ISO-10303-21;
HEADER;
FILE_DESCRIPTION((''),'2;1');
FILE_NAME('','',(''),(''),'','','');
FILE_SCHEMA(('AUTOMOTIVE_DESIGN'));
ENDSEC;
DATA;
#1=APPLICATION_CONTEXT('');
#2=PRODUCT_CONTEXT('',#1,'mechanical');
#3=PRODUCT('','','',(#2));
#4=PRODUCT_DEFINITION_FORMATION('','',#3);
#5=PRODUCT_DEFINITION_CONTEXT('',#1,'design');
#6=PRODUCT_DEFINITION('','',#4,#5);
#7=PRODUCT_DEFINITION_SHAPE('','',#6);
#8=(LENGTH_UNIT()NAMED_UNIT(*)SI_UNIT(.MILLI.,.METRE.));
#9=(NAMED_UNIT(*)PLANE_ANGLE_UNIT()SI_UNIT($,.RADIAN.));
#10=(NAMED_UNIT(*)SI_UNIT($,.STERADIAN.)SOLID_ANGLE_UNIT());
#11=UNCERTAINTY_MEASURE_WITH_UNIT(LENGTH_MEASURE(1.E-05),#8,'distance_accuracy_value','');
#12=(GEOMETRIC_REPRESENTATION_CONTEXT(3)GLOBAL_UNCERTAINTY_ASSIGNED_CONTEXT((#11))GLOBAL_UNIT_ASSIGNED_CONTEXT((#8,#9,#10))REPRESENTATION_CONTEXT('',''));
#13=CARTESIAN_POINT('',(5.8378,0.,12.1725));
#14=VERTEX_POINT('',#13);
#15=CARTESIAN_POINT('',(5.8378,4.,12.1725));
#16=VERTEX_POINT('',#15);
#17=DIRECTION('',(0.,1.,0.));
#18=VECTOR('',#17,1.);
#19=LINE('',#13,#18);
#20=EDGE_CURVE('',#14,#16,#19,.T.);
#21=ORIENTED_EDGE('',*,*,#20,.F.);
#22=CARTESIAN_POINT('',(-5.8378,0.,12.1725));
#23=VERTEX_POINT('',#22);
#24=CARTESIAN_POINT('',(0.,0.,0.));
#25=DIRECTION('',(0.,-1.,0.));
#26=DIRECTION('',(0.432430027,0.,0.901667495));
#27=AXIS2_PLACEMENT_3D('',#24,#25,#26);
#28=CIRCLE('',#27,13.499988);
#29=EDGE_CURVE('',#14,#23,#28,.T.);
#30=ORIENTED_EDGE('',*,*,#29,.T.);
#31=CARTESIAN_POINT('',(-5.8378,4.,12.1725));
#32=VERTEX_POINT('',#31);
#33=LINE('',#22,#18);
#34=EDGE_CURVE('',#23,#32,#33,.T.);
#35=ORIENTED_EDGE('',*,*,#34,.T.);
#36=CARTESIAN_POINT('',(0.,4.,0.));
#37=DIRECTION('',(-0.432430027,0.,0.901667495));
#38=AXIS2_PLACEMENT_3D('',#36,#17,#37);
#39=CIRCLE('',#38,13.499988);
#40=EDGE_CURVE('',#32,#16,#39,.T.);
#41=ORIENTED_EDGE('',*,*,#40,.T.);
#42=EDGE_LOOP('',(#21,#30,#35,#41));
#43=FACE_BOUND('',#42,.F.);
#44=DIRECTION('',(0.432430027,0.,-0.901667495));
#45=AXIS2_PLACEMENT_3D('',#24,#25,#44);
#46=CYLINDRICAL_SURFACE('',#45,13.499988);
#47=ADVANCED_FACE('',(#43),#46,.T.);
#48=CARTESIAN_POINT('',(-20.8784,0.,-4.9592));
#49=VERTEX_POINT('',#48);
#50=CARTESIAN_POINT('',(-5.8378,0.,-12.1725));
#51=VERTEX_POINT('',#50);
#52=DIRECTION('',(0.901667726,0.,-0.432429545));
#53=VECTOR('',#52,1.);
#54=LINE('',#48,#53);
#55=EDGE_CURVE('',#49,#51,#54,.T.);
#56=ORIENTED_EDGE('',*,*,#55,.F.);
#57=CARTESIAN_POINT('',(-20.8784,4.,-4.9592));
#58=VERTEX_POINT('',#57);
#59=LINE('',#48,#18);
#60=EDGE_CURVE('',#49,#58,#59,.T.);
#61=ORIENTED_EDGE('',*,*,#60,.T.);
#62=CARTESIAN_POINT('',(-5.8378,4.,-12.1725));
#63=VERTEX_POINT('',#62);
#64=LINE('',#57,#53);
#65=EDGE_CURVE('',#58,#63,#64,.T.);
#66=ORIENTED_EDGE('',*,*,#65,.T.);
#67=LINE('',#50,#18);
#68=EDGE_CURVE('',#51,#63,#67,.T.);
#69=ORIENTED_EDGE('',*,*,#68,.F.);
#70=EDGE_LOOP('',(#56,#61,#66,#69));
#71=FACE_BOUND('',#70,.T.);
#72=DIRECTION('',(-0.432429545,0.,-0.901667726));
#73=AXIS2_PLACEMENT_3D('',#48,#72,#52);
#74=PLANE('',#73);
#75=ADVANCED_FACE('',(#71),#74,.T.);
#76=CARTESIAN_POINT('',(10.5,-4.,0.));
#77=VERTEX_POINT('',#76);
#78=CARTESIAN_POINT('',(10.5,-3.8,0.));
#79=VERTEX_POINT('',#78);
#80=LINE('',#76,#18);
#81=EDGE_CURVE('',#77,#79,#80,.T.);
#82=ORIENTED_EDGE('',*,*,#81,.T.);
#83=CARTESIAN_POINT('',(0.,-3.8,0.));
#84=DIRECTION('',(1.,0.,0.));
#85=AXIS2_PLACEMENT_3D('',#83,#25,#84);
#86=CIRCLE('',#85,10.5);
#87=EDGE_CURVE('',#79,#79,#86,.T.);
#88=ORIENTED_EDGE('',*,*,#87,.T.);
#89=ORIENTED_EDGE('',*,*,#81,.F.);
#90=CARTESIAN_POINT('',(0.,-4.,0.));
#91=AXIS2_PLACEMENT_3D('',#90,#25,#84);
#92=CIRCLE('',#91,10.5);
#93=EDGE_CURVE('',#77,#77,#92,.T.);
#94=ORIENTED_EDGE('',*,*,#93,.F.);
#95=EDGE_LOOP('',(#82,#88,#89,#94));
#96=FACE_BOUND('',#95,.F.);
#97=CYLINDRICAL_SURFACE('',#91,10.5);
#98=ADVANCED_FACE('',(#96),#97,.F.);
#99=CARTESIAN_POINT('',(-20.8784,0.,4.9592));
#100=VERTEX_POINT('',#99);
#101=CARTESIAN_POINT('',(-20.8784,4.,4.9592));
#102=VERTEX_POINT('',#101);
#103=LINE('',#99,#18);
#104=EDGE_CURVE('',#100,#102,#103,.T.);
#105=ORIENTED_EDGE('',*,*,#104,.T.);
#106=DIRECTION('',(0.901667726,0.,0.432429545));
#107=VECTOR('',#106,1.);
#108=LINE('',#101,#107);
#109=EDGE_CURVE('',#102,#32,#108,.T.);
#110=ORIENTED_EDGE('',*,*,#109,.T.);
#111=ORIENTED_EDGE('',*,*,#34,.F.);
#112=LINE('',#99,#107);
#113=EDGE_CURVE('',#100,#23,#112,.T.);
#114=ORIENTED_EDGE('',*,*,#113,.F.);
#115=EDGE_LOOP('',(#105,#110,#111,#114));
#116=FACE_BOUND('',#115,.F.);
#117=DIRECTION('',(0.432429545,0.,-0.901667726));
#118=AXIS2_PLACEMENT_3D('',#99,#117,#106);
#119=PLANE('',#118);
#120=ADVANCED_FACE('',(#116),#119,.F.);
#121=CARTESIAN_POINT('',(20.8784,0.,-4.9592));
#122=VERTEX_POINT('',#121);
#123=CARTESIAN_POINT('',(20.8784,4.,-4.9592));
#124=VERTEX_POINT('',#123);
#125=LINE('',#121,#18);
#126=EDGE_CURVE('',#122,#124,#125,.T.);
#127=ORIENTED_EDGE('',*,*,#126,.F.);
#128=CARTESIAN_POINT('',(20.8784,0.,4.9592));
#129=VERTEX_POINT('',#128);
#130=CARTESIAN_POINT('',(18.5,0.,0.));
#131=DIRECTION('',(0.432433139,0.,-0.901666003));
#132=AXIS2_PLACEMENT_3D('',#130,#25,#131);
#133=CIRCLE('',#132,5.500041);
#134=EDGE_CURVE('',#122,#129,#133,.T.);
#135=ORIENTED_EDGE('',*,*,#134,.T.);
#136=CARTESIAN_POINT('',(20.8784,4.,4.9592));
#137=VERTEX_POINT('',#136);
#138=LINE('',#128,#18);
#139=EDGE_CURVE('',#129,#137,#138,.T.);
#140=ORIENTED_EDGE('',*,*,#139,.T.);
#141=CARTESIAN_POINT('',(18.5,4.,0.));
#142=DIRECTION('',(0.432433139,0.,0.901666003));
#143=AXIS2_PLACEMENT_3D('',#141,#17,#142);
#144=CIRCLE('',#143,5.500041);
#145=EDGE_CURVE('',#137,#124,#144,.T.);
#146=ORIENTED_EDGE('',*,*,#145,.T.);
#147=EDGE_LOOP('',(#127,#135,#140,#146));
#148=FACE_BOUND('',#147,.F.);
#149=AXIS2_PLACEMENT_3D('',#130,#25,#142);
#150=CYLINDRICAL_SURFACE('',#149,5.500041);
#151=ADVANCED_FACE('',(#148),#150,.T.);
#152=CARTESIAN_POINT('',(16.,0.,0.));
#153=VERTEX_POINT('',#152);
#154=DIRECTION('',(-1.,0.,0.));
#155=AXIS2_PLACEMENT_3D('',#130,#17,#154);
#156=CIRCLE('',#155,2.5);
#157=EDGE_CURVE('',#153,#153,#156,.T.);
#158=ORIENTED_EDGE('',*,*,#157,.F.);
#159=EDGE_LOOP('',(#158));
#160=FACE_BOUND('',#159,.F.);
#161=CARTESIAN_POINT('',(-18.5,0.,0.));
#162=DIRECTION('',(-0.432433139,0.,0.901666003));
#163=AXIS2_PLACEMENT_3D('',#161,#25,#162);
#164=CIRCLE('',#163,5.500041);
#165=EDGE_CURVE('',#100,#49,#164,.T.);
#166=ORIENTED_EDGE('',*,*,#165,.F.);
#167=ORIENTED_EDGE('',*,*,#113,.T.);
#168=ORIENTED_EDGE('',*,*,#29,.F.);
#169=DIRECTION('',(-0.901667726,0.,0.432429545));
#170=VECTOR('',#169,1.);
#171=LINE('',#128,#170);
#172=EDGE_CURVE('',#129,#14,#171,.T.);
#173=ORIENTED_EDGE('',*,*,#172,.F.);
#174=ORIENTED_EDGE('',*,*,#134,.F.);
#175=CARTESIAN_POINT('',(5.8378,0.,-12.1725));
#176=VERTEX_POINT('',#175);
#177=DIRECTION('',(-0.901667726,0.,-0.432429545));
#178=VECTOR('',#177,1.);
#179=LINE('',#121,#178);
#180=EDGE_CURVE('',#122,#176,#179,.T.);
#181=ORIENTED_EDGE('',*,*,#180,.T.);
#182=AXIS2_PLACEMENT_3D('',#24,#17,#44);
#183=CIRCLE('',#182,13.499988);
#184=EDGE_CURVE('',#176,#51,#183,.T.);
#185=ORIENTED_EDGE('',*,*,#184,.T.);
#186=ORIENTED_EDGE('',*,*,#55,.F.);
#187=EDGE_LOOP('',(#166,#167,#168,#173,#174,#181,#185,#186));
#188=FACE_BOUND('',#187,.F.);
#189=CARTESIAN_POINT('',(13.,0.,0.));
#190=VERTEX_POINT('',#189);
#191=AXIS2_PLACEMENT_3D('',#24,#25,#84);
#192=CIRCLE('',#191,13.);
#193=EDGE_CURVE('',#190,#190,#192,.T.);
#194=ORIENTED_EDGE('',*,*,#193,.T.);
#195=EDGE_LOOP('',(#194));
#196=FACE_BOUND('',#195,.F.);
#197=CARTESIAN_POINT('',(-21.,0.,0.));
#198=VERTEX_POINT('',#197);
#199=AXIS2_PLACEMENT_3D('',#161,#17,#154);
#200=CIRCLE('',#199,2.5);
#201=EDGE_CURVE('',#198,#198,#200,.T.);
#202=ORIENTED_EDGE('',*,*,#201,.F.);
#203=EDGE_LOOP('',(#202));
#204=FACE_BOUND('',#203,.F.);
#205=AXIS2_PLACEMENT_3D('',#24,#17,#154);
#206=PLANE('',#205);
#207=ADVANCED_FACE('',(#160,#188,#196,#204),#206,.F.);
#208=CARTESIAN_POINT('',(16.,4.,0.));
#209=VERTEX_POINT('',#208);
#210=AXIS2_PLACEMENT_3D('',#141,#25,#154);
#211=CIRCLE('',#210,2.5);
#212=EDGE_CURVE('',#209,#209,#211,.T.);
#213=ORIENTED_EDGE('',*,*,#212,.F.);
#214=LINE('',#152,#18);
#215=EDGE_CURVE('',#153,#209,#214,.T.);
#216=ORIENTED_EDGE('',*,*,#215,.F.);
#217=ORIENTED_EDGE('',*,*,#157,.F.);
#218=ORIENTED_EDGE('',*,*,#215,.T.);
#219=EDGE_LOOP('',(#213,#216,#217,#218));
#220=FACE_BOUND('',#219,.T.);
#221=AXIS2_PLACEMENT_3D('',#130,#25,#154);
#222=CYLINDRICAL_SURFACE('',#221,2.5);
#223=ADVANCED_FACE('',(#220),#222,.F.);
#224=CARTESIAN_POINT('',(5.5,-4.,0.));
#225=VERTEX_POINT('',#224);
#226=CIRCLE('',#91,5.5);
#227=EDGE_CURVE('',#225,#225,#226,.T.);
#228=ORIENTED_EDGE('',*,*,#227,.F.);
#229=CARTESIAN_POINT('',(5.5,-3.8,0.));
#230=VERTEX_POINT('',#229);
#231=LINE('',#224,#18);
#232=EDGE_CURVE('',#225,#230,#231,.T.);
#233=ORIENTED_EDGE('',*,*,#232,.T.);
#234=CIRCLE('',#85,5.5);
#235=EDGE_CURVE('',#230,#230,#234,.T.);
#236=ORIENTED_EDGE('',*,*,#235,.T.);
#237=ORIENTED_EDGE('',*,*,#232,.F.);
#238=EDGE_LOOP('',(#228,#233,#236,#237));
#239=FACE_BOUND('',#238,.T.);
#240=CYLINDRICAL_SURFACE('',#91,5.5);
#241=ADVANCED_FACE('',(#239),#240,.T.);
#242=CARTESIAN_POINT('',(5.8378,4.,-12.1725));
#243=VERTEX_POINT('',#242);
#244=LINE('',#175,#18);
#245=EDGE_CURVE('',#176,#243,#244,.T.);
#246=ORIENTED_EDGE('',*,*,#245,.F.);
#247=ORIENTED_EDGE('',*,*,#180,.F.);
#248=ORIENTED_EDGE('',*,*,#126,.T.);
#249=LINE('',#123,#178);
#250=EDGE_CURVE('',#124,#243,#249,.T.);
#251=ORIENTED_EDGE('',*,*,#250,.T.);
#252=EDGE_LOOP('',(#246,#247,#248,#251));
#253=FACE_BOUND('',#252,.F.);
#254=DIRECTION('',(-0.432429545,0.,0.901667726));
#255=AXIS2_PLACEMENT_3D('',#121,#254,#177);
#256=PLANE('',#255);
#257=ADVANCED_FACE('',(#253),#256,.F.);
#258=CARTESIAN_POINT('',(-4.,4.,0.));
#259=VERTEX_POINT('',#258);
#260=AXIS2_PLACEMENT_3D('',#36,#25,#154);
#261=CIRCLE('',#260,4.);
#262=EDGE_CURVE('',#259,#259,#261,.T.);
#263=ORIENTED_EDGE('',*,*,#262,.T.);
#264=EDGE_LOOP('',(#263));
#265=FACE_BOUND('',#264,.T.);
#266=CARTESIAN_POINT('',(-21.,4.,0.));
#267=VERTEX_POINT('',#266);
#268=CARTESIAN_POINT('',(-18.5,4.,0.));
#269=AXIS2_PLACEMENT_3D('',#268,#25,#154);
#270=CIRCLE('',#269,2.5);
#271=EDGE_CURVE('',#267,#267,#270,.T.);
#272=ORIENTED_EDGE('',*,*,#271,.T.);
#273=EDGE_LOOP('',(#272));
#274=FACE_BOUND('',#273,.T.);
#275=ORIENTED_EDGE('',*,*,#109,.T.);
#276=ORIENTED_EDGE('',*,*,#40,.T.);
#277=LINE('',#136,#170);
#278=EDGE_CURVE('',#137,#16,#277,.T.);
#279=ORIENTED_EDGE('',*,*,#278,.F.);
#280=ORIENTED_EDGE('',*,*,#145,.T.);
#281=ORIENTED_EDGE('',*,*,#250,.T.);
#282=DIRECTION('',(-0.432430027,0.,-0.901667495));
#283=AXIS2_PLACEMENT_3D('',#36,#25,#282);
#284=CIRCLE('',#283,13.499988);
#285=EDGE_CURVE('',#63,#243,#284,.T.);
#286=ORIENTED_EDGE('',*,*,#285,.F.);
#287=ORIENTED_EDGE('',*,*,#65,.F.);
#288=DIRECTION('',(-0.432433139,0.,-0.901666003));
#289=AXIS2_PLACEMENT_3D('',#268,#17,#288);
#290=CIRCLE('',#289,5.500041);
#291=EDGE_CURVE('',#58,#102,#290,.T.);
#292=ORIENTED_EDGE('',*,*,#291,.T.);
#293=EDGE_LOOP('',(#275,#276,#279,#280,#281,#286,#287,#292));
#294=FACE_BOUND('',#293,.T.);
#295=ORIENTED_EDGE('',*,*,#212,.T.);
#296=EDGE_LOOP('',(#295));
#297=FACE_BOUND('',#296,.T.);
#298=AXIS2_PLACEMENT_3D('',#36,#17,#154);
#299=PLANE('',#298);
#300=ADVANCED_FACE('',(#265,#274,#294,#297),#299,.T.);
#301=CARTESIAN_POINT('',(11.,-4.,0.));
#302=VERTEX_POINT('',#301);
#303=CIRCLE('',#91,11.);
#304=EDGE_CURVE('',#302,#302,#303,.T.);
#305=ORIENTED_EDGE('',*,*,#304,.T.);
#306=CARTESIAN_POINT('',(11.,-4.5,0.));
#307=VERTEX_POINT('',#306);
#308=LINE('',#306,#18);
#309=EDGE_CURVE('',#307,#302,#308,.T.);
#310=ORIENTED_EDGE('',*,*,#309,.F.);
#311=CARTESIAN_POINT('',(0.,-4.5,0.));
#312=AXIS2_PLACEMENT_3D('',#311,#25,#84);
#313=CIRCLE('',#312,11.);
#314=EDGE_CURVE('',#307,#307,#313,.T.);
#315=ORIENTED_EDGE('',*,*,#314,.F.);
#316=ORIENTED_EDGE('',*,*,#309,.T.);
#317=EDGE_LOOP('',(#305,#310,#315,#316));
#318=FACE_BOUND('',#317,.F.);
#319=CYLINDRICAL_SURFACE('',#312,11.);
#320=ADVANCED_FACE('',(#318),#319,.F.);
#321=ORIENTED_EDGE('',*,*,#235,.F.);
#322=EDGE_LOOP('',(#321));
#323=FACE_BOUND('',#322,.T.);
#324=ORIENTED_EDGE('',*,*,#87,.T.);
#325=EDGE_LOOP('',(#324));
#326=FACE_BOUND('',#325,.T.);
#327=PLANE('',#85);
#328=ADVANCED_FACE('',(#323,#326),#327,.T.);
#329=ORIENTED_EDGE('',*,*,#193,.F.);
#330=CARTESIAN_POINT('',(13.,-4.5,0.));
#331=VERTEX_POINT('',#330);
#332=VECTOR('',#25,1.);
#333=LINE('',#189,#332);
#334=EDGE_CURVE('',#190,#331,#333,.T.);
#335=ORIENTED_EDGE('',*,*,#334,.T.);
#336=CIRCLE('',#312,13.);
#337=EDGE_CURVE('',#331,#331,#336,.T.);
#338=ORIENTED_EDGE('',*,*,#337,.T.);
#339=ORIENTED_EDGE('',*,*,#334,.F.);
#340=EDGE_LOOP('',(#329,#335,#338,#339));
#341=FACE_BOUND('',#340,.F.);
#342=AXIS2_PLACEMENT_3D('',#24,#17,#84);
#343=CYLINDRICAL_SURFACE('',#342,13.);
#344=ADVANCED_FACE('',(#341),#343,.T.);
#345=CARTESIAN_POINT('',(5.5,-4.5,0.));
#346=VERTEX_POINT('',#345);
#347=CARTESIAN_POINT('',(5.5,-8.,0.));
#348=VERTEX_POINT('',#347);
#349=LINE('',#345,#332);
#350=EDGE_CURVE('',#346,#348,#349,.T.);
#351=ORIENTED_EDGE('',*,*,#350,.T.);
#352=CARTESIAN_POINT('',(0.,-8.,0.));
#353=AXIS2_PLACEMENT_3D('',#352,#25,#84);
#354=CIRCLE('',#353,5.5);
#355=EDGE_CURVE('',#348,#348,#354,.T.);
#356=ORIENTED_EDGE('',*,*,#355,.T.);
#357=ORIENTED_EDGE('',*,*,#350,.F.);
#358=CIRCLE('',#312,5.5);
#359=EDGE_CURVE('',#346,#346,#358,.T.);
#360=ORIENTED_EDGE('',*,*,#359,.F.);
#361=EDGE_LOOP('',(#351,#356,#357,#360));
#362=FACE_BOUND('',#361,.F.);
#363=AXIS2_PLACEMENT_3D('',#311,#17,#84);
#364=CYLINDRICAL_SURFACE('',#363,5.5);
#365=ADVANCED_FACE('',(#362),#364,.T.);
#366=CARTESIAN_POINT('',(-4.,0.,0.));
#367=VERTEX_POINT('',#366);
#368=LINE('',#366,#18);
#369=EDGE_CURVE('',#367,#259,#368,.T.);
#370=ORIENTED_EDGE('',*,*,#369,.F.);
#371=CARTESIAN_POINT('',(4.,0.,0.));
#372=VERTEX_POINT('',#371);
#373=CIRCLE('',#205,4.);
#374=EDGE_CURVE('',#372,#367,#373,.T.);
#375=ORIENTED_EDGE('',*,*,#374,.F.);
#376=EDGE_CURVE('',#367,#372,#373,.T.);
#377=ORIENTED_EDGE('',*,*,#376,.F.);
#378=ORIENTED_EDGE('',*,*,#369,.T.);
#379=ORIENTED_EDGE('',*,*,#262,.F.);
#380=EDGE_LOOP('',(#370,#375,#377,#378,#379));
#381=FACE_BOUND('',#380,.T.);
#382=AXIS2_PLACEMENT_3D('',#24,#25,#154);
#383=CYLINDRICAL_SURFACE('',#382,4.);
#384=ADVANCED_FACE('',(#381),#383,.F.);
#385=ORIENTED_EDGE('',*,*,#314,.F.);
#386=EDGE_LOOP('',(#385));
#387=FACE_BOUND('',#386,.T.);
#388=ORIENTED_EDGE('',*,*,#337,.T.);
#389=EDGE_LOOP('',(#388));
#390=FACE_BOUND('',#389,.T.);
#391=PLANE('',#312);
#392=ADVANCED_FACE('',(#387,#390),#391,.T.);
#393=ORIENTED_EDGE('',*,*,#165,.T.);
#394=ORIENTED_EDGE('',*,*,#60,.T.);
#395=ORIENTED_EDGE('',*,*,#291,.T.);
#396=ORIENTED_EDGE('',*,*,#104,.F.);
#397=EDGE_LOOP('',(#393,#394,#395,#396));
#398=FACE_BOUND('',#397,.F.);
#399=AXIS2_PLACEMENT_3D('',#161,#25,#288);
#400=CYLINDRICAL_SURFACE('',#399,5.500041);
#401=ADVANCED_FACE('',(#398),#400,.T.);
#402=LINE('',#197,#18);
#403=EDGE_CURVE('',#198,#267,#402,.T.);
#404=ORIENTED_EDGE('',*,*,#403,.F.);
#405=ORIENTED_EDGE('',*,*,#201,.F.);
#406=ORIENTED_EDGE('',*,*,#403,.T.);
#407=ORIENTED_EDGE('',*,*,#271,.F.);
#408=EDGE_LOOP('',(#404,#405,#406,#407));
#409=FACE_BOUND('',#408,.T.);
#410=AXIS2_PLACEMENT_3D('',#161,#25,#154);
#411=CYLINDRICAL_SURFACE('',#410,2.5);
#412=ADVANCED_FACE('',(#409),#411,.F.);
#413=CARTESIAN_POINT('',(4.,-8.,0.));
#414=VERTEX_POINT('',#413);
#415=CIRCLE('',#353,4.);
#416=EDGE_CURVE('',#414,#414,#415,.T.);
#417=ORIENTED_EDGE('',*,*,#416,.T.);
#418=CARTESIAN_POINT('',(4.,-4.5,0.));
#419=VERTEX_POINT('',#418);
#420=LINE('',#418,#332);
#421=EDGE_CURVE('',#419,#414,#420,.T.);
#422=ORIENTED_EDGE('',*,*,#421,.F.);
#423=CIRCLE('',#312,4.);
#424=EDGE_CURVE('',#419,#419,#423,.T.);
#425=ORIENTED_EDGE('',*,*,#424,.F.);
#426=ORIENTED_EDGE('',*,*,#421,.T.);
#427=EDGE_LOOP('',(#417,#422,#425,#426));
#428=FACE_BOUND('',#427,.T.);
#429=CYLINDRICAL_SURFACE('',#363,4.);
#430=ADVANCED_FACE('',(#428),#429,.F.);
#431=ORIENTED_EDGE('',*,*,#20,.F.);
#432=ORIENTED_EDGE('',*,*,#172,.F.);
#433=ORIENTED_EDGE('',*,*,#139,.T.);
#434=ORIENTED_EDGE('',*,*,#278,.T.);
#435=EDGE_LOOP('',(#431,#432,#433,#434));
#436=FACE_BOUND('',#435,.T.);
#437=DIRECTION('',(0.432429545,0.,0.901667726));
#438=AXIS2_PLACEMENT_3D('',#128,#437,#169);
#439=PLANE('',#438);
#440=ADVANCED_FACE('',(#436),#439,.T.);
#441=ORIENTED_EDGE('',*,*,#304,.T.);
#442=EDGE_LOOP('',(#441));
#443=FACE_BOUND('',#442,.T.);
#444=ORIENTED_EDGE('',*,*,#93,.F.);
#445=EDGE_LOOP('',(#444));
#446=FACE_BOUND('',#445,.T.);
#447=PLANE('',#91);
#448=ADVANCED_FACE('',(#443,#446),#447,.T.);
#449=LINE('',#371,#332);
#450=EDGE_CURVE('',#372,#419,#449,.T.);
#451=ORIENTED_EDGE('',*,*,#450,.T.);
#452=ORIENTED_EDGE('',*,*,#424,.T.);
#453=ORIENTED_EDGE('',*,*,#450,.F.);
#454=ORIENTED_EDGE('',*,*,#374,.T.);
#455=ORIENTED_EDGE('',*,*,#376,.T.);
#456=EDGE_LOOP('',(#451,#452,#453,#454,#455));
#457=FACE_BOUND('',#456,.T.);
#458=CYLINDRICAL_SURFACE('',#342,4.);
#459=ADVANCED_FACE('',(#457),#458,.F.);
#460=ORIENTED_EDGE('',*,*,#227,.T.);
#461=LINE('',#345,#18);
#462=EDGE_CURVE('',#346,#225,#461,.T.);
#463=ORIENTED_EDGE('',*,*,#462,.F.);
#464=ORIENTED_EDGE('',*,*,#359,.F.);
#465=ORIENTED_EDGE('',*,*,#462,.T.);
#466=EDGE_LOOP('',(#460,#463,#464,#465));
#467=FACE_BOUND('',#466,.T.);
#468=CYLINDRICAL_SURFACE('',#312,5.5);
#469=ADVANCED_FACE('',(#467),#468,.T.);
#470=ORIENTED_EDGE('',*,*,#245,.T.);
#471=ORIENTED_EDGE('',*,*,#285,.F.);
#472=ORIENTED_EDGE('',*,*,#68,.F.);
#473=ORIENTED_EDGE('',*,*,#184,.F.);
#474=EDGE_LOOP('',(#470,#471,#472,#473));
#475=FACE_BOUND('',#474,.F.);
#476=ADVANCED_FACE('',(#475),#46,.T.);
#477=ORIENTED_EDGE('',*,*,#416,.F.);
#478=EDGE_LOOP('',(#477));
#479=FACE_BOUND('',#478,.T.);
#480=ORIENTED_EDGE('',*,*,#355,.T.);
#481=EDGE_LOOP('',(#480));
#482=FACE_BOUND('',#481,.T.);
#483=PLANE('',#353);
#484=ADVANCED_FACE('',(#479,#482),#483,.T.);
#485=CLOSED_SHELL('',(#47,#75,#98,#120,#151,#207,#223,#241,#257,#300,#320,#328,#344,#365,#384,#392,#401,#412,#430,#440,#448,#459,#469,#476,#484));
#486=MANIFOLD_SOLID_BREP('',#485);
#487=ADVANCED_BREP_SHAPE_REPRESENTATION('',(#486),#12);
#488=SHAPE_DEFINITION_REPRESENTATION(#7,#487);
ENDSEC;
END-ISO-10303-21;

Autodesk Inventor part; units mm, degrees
ref_plane "YZ Plane" through (0, 0, 0) normal (1, 0, 0) x (0, 1, 0)
ref_plane "XZ Plane" through (0, 0, 0) normal (0, 1, 0) x (-1, 0, 0)
ref_plane "XY Plane" through (0, 0, 0) normal (0, 0, 1) x (1, 0, 0)
sketch "Sketch1" plane through (0, 0, 0) normal (0, 1, 0) x (-1, 0, 0)
  circle A0 centre (0, 0) radius 4
  arc A1 (-5.8378, -12.1725) -> (-5.8378, 12.1725) centre (0, 0) ccw
  circle A2 centre (18.5, 0) radius 2.5
  circle A3 centre (-18.5, 0) radius 2.5
  line L0 (0, -18.9) -> (0, 18.9) projected
  line L1 (20.8784, 4.9592) -> (5.8378, 12.1725)
  line L2 (33.6, 0) -> (-33.6, 0) projected
  line L3 (20.8784, -4.9592) -> (5.8378, -12.1725)
  line L4 (-20.8784, 4.9592) -> (-5.8378, 12.1725)
  line L5 (-20.8784, -4.9592) -> (-5.8378, -12.1725)
  arc A4 (-20.8784, 4.9592) -> (-20.8784, -4.9592) centre (-18.5, 0) ccw
  arc A5 (20.8784, -4.9592) -> (20.8784, 4.9592) centre (18.5, 0) ccw
  dimension "d0" = 8
  dimension "d1" = 27
  dimension "d2" = 5
  dimension "d3" = 5
  dimension "d4" = 37
  dimension "d5" = 18.5
extrude "Extrusion1" add sketch "Sketch1" along normal blind 4 contours L2 A1 L0 A0 | A0 L0 A1 L2 | A0 L2 A3 A4 L4 A1 L0 | L0 A1 L5 A4 L2 A3 A0 | L2 A2 A5 L3 A1 | A1 L1 A5 L2 A2
sketch "Sketch2" plane through (0, 0, 0) normal (0, -1, 0) x (1, 0, 0)
  circle A0 centre (0, 0) radius 4
  circle A1 centre (0, 0) radius 13
  dimension "d11" = 26
extrude "Extrusion2" add sketch "Sketch2" along normal blind 4.5
sketch "Sketch3" plane through (0, -4.5, 0) normal (0, -1, 0) x (1, 0, 0)
  circle A0 centre (0, 0) radius 4
  circle A1 centre (0, 0) radius 4 projected
  circle A2 centre (0, 0) radius 5.5
  dimension "d14" = 11
extrude "Extrusion3" add sketch "Sketch3" along normal blind 3.5
sketch "Sketch4" plane through (0, -4.5, 0) normal (0, -1, 0) x (1, 0, 0)
  circle A0 centre (0, 0) radius 5.5
  circle A1 centre (0, 0) radius 5.5 projected
  circle A2 centre (0, 0) radius 11
  dimension "d17" = 22
extrude "Extrusion4" cut sketch "Sketch4" against normal blind 0.5
sketch "Sketch5" plane through (0, -4, 0) normal (0, -1, 0) x (1, 0, 0)
  circle A0 centre (0, 0) radius 5.5
  circle A1 centre (0, 0) radius 10.5
  dimension "d20" = 21
extrude "Extrusion5" cut sketch "Sketch5" against normal blind 0.2
properties part number "Kep Truc KLF-08"
